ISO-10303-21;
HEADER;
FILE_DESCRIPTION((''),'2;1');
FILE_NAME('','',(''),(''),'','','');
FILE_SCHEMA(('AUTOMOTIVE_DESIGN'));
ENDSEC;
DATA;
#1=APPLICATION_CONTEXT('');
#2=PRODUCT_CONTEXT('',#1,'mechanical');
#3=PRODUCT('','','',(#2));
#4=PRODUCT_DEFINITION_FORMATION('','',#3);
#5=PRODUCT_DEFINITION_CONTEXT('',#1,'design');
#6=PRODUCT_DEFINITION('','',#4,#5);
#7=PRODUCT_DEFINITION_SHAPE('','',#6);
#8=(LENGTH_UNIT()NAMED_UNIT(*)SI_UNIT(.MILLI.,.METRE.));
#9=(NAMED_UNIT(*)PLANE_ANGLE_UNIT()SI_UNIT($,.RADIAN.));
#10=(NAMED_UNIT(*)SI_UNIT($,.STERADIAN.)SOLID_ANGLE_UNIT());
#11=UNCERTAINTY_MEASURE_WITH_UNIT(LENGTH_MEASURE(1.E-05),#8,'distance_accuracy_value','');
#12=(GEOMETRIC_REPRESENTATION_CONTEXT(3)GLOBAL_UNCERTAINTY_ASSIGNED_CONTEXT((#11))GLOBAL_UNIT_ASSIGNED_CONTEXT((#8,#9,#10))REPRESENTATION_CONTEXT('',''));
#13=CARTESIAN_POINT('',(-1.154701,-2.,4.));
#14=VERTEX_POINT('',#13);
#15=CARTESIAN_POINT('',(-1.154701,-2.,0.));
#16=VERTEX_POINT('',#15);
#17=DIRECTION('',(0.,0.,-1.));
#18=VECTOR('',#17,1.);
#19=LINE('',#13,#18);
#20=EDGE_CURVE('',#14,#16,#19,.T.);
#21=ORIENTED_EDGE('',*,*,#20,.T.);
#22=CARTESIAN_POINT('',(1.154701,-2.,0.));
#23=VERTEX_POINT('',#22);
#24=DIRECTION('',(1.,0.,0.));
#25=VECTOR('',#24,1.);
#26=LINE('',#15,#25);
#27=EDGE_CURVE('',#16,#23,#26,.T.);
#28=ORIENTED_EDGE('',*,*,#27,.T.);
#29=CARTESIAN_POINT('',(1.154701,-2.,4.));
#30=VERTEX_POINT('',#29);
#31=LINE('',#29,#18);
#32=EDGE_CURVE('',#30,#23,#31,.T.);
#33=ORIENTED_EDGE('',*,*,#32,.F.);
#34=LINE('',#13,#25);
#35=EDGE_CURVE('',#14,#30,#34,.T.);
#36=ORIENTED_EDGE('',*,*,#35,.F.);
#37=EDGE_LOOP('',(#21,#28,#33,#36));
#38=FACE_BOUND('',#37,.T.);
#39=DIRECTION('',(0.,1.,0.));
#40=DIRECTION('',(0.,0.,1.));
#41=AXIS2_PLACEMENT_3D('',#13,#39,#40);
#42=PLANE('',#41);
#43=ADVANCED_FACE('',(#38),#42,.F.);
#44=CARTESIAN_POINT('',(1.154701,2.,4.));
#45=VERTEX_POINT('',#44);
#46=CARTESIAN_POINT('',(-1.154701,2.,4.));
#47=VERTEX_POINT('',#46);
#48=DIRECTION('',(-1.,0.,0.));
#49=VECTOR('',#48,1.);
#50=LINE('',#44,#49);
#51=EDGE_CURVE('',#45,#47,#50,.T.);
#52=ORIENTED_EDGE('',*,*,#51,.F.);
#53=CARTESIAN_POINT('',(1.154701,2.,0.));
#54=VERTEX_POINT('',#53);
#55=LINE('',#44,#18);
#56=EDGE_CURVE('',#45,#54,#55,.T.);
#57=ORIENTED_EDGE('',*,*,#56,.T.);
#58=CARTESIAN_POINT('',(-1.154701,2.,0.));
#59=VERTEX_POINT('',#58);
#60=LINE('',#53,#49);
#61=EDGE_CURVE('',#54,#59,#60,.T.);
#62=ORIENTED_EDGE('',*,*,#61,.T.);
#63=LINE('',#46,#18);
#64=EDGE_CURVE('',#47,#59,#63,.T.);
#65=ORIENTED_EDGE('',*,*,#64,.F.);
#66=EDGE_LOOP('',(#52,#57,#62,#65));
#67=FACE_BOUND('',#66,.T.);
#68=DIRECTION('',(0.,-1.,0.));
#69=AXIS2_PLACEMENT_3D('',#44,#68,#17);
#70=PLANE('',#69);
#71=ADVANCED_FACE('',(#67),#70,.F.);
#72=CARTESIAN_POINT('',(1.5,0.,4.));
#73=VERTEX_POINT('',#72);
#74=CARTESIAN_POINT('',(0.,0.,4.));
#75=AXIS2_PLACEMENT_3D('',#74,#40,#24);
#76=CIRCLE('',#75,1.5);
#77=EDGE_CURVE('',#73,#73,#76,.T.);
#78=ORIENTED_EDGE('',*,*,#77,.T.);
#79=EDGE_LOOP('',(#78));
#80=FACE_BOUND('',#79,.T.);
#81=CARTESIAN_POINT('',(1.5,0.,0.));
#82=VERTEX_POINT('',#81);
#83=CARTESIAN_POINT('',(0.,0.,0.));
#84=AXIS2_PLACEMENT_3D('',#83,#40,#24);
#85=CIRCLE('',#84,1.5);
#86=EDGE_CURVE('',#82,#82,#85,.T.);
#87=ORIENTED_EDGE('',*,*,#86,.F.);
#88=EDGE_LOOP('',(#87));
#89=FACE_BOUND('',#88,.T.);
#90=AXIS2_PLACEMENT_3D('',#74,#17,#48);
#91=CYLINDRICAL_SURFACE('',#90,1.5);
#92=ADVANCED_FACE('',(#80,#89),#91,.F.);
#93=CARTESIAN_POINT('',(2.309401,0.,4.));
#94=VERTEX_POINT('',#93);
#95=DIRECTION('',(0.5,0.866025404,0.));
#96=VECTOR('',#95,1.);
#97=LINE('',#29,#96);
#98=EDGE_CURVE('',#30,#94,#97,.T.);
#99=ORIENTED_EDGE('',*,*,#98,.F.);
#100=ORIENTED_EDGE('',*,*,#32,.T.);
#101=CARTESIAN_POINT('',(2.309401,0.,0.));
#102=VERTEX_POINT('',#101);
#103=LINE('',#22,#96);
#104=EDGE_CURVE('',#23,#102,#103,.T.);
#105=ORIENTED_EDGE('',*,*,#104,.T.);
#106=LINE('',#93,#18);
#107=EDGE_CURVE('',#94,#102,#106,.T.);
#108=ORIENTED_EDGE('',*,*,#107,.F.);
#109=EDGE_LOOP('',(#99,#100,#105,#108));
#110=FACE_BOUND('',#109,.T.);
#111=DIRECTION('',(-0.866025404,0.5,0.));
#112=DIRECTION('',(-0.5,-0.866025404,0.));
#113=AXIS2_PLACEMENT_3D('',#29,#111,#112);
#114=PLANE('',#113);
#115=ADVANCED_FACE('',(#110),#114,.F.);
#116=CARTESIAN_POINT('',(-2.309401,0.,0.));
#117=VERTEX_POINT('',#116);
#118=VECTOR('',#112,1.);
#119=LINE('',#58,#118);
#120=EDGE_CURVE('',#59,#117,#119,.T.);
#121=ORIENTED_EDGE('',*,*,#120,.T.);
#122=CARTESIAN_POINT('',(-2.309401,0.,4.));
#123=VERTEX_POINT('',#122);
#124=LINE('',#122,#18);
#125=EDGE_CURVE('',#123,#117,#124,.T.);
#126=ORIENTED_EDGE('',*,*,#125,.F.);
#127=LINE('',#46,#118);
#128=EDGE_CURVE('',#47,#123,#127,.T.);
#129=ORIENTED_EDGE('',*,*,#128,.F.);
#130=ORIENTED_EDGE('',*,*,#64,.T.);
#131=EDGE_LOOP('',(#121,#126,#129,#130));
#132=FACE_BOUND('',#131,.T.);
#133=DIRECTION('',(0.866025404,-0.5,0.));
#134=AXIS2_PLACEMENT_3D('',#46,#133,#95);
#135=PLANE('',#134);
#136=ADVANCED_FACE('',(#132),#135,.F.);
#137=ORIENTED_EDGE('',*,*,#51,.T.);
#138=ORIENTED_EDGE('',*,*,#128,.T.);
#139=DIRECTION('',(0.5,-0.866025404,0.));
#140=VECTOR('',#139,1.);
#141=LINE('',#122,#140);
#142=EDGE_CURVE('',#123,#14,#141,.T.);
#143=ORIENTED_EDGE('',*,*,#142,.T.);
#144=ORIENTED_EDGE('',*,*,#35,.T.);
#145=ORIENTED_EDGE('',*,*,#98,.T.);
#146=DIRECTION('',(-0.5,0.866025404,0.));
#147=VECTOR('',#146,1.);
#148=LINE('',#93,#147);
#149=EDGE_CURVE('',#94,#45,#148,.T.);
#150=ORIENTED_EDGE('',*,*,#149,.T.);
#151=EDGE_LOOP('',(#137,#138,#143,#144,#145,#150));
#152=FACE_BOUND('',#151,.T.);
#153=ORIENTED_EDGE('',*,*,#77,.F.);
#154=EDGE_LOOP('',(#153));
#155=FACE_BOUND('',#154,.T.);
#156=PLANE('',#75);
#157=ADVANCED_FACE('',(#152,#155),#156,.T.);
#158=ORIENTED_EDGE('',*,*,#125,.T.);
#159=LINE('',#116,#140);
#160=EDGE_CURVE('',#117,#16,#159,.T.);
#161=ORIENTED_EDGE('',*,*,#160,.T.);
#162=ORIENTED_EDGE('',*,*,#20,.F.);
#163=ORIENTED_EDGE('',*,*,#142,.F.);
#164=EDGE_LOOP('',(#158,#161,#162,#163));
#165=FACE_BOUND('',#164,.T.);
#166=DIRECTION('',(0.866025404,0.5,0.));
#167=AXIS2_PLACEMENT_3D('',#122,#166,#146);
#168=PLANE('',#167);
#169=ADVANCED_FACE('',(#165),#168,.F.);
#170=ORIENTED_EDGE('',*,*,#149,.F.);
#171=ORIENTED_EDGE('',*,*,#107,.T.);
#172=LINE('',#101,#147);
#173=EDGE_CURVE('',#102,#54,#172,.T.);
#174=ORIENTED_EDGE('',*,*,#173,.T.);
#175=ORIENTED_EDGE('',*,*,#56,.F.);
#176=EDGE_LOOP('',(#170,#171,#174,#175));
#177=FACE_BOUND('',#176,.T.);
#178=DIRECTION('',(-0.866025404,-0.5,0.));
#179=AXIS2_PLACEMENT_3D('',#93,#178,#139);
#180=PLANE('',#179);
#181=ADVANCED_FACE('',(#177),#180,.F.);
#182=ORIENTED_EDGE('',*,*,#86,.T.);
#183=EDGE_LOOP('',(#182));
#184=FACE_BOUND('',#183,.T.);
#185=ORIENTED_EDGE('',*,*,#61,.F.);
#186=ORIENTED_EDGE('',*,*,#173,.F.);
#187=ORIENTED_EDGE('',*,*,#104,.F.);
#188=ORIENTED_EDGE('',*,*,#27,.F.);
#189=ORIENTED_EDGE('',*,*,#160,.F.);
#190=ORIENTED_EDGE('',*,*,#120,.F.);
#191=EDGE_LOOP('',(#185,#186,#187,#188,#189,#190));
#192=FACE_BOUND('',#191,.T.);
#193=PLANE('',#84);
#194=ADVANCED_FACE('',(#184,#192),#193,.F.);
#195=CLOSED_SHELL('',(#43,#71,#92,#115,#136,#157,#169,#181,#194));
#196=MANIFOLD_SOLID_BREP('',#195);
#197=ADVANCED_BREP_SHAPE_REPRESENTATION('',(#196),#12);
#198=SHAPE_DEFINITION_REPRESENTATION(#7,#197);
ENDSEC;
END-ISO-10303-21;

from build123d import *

# Parameters (mm, degrees)
SKETCH_1_R      = 1.5
EXTRUDE_1_DEPTH = 4


with BuildPart() as part:
    # 草图1 → 凸台-拉伸1 (new body)
    with BuildSketch(Plane.XY):
        Polygon((2.309401077, 0), (1.154700538, 2), (-1.154700538, 2), (-2.309401077, 0), (-1.154700538, -2), (1.154700538, -2), align=None)
        Circle(SKETCH_1_R, mode=Mode.SUBTRACT)
    extrude(amount=EXTRUDE_1_DEPTH)


solid = part.part
